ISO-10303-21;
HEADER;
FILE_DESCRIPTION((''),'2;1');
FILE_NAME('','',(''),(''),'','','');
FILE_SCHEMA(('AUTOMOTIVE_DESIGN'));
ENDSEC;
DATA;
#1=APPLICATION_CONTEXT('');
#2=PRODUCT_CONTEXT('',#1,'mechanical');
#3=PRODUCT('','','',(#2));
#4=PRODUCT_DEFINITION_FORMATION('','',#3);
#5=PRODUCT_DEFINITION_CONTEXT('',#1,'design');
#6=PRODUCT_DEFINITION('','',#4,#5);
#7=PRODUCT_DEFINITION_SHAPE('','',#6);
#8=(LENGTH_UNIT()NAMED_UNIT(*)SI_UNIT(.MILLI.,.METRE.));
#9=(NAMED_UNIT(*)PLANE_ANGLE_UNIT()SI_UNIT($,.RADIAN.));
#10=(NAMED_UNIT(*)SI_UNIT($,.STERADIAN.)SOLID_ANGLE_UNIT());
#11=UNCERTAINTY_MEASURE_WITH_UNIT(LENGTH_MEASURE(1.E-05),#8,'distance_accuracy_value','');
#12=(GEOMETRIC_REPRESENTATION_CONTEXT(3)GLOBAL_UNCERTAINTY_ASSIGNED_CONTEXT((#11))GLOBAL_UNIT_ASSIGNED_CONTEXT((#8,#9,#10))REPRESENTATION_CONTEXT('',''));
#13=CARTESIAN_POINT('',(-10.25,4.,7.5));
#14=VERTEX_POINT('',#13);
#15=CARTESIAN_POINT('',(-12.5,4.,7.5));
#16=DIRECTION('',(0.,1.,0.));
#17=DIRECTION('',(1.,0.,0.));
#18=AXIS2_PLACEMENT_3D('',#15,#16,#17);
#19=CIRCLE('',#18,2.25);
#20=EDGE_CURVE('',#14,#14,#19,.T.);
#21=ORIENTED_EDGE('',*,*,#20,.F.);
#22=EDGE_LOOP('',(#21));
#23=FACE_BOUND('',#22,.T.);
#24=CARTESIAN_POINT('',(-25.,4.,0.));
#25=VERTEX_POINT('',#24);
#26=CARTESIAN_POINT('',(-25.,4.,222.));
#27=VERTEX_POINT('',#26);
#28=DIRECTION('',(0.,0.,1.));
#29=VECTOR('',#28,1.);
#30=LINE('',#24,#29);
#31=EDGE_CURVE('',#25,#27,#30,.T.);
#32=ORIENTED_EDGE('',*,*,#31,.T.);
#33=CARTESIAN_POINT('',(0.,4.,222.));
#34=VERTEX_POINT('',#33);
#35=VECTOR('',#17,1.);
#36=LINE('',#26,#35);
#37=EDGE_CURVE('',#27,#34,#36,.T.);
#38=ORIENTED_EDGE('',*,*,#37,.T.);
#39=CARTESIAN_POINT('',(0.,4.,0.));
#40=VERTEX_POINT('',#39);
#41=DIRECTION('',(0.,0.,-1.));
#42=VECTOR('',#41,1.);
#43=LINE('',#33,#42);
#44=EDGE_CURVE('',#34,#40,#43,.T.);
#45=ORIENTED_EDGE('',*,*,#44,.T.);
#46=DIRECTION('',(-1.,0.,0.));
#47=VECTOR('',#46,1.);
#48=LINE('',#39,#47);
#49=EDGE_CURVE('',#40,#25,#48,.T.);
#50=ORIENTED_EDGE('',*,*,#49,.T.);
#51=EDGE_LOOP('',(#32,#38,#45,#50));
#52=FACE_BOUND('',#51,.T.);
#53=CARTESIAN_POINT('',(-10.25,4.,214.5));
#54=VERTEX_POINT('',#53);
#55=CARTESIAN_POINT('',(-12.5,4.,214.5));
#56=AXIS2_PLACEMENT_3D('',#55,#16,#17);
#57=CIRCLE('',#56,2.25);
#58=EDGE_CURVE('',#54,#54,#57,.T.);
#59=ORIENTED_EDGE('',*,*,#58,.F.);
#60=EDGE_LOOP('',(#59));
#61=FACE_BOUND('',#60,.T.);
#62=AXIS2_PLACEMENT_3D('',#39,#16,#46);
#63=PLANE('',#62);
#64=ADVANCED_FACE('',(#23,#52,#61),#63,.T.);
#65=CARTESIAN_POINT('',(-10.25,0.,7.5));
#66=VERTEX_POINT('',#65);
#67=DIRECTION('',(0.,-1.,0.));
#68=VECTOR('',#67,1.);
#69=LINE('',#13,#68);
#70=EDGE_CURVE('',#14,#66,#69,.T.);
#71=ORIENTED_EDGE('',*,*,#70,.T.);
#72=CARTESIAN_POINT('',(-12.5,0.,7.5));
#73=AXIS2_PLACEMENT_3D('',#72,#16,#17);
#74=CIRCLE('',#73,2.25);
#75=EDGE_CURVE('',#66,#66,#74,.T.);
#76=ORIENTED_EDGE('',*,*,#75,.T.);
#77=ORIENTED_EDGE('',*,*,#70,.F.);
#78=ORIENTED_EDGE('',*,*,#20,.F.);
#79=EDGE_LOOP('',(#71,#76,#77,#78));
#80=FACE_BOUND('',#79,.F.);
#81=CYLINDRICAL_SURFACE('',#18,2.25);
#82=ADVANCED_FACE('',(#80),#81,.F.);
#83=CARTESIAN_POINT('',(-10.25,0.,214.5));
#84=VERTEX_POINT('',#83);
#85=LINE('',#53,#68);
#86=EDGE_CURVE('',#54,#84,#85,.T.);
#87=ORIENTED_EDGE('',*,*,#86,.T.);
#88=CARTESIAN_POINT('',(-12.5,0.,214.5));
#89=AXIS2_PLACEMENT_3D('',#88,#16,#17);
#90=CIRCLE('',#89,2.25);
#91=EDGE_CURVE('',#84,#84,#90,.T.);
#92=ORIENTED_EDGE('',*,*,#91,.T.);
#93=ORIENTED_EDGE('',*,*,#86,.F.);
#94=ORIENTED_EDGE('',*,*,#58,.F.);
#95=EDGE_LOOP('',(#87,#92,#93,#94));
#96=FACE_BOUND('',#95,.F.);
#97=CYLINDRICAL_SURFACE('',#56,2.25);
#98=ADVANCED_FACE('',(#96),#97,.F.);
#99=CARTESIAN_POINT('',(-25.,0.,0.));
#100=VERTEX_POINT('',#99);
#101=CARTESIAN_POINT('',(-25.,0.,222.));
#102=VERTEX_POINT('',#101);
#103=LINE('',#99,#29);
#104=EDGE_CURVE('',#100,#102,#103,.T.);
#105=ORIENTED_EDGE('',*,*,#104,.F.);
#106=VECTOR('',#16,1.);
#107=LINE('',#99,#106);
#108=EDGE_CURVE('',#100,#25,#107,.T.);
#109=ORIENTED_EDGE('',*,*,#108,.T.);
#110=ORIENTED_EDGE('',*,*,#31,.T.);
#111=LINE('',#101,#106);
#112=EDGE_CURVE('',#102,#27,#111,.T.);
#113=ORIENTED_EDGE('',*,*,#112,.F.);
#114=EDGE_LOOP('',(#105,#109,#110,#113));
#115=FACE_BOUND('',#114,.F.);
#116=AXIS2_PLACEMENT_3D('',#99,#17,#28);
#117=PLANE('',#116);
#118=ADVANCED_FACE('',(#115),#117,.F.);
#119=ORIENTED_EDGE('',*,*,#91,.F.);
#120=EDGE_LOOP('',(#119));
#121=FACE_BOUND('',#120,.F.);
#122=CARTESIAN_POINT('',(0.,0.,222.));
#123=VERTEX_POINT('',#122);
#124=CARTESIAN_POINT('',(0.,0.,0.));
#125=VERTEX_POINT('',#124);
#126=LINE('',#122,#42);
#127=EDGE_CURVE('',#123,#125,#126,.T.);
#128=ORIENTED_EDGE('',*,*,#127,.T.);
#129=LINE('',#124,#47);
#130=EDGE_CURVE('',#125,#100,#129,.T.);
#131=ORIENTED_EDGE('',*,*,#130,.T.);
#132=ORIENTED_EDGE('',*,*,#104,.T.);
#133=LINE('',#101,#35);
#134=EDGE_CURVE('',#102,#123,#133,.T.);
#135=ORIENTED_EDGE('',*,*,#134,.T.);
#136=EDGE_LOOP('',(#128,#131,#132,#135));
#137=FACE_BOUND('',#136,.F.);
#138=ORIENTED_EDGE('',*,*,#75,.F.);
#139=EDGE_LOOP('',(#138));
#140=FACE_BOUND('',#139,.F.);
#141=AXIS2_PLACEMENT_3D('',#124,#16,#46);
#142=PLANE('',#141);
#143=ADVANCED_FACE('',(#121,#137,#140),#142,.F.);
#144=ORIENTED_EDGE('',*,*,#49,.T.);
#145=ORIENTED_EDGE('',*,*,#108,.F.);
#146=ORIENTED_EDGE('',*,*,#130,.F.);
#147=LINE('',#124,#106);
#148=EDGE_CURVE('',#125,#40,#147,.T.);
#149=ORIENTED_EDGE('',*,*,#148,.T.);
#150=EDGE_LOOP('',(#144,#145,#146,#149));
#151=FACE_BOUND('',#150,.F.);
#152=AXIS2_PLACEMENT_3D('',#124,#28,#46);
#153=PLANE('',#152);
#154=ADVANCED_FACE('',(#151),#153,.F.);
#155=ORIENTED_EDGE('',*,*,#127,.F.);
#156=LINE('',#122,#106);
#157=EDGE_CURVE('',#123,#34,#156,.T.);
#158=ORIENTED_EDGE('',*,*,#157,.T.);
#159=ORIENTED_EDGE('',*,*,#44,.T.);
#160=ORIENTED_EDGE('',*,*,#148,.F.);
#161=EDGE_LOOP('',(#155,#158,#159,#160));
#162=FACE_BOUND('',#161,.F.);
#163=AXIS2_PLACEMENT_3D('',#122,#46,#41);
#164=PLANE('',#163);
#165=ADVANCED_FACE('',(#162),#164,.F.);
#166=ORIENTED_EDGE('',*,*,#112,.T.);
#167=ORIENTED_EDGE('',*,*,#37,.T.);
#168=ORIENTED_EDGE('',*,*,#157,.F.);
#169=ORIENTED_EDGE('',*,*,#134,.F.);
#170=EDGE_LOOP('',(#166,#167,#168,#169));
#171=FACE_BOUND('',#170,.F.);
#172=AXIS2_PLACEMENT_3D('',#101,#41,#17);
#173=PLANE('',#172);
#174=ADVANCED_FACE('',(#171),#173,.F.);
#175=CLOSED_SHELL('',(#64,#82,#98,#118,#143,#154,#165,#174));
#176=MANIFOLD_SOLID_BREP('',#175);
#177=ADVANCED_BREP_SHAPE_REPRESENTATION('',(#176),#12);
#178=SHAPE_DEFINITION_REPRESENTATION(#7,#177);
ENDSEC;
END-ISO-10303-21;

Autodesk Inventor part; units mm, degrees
ref_plane "YZ Plane" through (0, 0, 0) normal (1, 0, 0) x (0, 1, 0)
ref_plane "XZ Plane" through (0, 0, 0) normal (0, 1, 0) x (-1, 0, 0)
ref_plane "XY Plane" through (0, 0, 0) normal (0, 0, 1) x (1, 0, 0)
sketch "Эскиз1" plane through (0, 0, 0) normal (0, 1, 0) x (-1, 0, 0)
  line L0 (0, 0) -> (25, 0)
  line L1 (25, 0) -> (25, 222)
  line L2 (25, 222) -> (0, 222)
  line L3 (0, 222) -> (0, 0)
  dimension "d0" = 25
  dimension "d1" = 222
extrude "Выдавливание1" add sketch "Эскиз1" along normal blind 4
sketch "Эскиз2" plane through (0, 4, 0) normal (0, 1, 0) x (1, 0, 0)
  circle A0 centre (-12.5, -7.5) radius 2.25
  line L0 (0, 0) -> (-25, 0) projected
  line L1 (0, -222) -> (0, 0) projected
  line L2 (0, -111) -> (-46.0375, -111)
  circle A1 centre (-12.5, -214.5) radius 2.25
  dimension "d4" = 4.5
  dimension "d5" = 7.5
extrude "Выдавливание2" cut sketch "Эскиз2" against normal blind 4
properties part number "жгут низ"
